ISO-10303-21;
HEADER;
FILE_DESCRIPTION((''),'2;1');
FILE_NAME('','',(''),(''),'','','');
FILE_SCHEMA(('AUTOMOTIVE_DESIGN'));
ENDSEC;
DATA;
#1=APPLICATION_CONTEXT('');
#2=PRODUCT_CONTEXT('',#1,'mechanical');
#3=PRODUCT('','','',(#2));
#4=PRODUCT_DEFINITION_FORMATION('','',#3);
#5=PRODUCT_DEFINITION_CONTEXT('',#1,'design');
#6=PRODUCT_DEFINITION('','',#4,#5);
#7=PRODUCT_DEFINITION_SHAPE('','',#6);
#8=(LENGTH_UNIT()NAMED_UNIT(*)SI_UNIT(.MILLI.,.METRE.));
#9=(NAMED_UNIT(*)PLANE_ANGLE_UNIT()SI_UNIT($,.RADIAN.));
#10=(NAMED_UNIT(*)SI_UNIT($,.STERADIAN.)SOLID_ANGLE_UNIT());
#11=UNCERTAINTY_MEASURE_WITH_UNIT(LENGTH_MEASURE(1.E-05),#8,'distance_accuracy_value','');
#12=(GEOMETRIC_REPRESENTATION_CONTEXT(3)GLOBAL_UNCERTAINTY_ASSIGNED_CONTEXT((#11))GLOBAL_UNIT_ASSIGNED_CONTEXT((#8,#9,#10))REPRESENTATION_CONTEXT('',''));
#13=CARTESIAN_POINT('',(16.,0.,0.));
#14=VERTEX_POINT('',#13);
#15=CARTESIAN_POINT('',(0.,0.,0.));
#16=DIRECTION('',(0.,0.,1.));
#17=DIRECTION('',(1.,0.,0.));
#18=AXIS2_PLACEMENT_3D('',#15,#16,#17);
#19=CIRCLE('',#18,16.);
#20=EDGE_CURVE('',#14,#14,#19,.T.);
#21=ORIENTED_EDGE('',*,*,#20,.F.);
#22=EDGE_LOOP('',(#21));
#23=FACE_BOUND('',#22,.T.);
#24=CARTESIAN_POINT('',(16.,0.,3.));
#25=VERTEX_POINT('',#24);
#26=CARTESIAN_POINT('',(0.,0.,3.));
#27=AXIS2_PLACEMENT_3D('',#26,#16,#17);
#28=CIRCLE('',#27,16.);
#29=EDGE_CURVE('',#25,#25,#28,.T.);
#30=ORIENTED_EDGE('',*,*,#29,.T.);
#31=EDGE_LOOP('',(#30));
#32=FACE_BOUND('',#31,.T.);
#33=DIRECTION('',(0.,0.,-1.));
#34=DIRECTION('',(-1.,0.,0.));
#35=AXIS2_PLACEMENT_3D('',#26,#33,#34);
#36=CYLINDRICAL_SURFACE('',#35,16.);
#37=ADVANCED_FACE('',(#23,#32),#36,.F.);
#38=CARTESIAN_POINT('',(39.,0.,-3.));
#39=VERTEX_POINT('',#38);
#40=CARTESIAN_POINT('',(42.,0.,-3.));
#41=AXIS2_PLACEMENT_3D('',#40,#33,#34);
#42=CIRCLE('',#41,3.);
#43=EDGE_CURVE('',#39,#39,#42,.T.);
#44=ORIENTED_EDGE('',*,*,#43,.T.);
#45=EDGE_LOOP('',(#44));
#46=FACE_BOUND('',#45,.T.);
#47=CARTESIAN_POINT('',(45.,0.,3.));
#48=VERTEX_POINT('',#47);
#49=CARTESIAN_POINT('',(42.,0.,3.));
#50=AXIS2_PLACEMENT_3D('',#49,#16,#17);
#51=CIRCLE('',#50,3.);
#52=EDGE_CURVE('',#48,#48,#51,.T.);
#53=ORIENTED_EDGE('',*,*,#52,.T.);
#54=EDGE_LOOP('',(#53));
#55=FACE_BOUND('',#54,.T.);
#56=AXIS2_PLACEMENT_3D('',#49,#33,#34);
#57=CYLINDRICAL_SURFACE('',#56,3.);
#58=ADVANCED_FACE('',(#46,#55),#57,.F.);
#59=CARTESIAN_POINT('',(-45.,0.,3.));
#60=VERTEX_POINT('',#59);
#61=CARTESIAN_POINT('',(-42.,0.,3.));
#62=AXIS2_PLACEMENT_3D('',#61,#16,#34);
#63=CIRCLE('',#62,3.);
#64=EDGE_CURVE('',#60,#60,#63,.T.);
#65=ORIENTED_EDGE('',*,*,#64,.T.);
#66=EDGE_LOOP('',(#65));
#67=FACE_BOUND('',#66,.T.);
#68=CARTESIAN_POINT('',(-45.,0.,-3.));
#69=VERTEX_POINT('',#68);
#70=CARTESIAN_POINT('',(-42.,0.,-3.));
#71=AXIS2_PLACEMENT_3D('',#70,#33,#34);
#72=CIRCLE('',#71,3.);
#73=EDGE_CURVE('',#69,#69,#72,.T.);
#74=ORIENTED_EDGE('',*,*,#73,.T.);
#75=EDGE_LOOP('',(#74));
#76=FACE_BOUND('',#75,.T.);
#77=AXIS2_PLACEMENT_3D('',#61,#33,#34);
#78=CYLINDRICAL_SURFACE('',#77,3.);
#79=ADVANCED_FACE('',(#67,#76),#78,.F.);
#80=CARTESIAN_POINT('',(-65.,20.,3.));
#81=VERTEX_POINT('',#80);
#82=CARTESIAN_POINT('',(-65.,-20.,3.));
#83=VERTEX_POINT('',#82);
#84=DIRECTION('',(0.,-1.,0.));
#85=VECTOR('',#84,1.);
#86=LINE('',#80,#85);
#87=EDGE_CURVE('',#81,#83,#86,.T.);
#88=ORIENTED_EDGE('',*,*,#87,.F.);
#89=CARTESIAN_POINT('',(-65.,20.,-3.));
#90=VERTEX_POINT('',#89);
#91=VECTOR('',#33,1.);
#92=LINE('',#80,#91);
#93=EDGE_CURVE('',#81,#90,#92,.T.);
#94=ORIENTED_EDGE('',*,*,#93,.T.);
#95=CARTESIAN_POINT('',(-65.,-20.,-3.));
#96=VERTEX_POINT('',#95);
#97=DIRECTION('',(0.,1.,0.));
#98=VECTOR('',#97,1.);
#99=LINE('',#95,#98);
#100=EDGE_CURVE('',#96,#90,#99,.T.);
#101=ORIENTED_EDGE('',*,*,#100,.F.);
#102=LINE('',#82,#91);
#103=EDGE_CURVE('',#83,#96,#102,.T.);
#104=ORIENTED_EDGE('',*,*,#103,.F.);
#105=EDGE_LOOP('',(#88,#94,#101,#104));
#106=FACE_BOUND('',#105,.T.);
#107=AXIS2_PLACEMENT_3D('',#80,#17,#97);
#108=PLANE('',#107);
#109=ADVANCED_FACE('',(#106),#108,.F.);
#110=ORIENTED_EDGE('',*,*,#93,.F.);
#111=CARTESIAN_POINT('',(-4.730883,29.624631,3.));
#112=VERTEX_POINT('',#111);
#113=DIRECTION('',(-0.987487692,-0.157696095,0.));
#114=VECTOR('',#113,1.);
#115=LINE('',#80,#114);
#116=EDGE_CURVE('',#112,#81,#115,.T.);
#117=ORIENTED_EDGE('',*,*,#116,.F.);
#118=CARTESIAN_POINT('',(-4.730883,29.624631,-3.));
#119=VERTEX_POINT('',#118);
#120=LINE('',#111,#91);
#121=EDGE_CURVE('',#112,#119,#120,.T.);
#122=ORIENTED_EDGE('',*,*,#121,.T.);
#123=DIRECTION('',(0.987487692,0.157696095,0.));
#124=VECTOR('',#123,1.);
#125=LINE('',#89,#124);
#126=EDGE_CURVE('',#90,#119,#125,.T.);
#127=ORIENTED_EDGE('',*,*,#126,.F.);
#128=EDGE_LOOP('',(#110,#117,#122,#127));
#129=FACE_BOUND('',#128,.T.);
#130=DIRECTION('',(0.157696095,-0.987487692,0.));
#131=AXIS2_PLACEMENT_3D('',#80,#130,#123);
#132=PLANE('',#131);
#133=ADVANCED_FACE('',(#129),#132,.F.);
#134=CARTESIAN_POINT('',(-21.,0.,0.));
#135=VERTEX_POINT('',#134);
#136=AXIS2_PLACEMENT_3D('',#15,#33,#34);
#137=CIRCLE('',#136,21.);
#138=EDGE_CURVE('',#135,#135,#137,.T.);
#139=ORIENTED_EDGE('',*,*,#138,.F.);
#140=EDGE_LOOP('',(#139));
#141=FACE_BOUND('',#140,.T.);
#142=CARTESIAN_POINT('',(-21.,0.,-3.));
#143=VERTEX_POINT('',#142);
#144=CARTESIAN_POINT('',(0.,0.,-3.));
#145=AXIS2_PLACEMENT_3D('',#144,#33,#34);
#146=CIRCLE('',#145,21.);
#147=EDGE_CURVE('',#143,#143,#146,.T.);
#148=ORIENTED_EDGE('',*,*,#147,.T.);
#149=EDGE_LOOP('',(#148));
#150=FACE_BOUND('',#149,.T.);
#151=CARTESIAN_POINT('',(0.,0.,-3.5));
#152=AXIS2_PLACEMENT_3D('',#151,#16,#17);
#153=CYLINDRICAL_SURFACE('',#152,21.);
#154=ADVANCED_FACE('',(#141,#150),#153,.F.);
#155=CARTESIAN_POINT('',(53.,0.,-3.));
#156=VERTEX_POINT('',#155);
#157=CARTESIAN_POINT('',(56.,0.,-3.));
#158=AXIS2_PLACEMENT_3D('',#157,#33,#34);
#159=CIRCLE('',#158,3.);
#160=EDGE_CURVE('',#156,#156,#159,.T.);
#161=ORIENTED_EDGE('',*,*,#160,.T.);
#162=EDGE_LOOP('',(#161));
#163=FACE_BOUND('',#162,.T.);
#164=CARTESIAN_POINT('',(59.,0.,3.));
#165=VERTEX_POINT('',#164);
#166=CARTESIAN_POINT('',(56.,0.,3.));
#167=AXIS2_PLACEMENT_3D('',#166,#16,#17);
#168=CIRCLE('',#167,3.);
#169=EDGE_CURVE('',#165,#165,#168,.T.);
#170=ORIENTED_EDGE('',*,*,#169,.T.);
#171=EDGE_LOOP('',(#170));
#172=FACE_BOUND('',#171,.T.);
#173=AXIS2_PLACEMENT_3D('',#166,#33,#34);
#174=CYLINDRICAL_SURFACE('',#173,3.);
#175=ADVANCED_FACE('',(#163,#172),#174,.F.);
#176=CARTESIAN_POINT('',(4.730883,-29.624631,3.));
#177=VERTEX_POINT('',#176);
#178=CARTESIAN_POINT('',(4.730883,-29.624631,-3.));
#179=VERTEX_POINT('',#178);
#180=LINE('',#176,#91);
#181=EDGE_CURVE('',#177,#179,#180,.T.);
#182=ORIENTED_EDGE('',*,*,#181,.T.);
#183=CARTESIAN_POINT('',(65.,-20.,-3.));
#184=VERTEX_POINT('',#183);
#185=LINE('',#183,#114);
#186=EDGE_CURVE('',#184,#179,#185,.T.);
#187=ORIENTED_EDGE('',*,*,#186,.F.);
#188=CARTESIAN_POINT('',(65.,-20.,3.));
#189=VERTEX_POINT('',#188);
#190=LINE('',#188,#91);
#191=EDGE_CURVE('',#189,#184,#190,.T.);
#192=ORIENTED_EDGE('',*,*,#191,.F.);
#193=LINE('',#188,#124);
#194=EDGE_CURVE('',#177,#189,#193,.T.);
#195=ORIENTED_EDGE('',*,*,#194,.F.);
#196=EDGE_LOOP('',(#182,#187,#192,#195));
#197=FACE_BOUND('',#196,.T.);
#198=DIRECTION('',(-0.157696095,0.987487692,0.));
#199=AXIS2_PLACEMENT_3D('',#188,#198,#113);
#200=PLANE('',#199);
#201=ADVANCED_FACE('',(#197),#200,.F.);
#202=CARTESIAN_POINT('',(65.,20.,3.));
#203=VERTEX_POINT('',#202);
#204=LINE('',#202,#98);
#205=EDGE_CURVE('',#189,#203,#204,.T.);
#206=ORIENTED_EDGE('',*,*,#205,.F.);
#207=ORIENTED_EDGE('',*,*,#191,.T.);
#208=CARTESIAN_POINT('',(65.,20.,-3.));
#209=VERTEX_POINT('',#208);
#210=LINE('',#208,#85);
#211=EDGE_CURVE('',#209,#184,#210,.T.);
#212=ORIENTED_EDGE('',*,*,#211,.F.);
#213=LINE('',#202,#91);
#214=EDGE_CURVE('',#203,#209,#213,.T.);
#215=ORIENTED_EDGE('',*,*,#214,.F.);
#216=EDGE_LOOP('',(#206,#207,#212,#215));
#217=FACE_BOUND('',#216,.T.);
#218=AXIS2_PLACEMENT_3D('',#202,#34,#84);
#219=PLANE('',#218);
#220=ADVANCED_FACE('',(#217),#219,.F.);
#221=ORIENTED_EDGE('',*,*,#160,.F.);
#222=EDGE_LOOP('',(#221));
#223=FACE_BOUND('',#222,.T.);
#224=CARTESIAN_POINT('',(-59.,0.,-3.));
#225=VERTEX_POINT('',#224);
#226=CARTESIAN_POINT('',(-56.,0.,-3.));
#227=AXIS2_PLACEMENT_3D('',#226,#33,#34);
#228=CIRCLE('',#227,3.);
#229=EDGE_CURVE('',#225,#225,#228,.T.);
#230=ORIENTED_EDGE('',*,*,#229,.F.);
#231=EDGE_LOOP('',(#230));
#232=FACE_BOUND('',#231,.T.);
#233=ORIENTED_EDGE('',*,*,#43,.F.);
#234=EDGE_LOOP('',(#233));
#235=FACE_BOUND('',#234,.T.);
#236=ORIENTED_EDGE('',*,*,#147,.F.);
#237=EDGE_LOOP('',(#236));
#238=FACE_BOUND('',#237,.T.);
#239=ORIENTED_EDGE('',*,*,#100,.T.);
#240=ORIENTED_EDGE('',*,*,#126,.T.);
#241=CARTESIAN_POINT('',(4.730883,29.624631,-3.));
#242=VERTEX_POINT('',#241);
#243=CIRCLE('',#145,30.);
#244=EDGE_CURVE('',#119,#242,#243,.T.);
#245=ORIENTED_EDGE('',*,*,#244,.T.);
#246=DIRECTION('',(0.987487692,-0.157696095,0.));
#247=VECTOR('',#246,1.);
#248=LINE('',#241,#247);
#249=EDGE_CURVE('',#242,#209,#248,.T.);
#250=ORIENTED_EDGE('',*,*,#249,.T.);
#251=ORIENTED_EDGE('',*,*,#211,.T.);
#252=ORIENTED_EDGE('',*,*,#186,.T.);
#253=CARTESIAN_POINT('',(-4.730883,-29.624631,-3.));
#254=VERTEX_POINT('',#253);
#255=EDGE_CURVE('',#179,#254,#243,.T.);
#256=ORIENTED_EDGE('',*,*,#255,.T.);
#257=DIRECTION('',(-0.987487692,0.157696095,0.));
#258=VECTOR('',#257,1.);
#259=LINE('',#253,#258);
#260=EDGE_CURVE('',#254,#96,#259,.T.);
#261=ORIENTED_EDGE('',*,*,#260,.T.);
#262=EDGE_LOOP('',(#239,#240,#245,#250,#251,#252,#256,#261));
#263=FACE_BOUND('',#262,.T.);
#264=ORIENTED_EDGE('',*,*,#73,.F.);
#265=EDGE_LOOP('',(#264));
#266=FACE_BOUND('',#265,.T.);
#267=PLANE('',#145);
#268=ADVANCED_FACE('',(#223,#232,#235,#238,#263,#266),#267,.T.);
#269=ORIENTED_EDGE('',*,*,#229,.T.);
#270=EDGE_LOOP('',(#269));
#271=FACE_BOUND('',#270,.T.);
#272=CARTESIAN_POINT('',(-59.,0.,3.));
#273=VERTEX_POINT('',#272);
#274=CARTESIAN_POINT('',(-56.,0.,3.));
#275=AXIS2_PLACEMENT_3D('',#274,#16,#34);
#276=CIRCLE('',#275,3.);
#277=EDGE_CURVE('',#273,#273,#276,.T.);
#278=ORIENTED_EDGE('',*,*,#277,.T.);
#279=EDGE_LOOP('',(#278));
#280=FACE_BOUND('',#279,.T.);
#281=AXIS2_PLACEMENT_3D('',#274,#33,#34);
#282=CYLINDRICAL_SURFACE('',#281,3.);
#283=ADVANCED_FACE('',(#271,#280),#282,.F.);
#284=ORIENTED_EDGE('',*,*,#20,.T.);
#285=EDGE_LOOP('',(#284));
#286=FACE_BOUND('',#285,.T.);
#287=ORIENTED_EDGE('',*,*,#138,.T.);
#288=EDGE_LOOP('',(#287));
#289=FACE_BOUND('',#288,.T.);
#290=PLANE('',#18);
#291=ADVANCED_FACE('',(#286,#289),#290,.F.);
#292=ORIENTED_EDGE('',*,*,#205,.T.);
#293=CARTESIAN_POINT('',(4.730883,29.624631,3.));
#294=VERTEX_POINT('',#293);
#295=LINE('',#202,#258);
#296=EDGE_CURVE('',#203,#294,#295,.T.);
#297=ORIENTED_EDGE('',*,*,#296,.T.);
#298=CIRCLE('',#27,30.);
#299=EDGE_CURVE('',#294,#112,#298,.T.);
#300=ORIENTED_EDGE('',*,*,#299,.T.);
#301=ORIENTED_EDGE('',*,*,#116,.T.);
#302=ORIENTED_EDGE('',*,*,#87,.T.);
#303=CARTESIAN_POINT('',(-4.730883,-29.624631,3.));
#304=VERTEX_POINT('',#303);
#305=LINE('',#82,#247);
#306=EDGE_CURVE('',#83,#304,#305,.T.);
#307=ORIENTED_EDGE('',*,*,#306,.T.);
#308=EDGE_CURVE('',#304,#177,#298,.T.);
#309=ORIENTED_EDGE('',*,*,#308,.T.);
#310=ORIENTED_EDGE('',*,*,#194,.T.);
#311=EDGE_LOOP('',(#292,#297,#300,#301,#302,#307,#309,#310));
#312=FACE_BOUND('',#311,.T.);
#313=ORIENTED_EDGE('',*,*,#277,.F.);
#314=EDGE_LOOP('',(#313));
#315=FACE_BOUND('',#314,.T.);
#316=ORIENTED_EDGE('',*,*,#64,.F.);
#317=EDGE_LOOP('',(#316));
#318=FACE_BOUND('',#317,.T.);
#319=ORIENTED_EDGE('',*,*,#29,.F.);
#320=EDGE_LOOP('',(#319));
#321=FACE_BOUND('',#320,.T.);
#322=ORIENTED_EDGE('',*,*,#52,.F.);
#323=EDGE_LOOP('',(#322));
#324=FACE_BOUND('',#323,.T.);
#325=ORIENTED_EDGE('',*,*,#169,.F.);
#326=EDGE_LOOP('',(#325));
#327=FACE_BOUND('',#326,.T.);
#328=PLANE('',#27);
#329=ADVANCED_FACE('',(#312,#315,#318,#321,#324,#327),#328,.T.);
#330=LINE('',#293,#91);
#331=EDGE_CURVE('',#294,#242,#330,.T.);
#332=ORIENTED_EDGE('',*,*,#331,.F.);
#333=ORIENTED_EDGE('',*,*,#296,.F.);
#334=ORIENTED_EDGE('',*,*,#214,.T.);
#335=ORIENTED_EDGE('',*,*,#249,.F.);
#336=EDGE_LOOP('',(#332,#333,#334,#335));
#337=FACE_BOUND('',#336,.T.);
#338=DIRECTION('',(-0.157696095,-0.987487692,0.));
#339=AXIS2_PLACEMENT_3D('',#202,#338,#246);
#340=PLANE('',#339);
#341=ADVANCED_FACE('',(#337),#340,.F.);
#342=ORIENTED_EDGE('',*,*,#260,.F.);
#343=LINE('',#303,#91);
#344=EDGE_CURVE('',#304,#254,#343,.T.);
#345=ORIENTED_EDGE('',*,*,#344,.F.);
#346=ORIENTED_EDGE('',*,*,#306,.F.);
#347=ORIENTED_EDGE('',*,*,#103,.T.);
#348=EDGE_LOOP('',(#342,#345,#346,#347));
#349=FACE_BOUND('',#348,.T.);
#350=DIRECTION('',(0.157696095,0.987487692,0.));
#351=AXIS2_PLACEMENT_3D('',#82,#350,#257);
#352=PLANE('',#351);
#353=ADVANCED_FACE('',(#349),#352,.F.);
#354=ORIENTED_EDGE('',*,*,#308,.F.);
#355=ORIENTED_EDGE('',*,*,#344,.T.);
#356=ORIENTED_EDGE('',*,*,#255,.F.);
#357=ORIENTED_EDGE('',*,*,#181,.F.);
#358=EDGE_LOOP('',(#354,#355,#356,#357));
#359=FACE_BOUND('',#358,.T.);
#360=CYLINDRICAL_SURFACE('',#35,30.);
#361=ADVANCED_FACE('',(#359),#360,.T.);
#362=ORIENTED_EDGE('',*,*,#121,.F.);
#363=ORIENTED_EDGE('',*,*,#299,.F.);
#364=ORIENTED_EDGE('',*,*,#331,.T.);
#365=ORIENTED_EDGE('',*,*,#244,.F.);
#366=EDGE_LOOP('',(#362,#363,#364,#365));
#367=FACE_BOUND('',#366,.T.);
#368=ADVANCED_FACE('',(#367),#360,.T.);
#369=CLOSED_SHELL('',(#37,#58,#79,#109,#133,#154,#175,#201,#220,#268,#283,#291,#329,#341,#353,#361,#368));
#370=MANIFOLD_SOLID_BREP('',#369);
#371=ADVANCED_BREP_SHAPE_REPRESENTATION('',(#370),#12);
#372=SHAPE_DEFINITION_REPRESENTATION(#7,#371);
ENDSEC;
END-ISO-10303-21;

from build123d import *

# Parameters (mm, degrees)
SKETCH1_R           = 3
SKETCH1_R_2         = 16
BOSS_EXTRUDE1_DEPTH = 3
SKETCH3_R           = 30
SKETCH3_R_2         = 21
BOSS_EXTRUDE3_DEPTH = 3.5
SKETCH4_R           = 3
BOSS_EXTRUDE4_DEPTH = 3.5
SKETCH5_R           = 3
SKETCH5_R_2         = 21
CUT_EXTRUDE1_DEPTH  = 0.5


with BuildPart() as part:
    # Sketch1 → Boss-Extrude1 (new body)
    with BuildSketch(Plane.XY):
        with BuildLine():
            Line((-65, 20), (-65, -20))
            Line((-65, -20), (-4.730882844, -29.624630757))
            ThreePointArc((-4.730882844, -29.624630757), (0, -30), (4.730882844, -29.624630757))
            Line((4.730882844, -29.624630757), (65, -20))
            Line((65, -20), (65, 20))
            Line((65, 20), (4.730882844, 29.624630757))
            ThreePointArc((4.730882844, 29.624630757), (0, 30), (-4.730882844, 29.624630757))
            Line((-4.730882844, 29.624630757), (-65, 20))
        make_face()
        with Locations((56, 0)):
            Circle(SKETCH1_R, mode=Mode.SUBTRACT)
        with Locations((42, 0)):
            Circle(SKETCH1_R, mode=Mode.SUBTRACT)
        with Locations((-56, 0)):
            Circle(SKETCH1_R, mode=Mode.SUBTRACT)
        with Locations((-42, 0)):
            Circle(SKETCH1_R, mode=Mode.SUBTRACT)
        Circle(SKETCH1_R_2, mode=Mode.SUBTRACT)
    extrude(amount=BOSS_EXTRUDE1_DEPTH)

    # Sketch3 → Boss-Extrude3 (add)
    with BuildSketch(Plane(origin=(0, 0, 0), x_dir=(-1, 0, 0), z_dir=(0, 0, -1))):
        Circle(SKETCH3_R)
        Circle(SKETCH3_R_2, mode=Mode.SUBTRACT)
    extrude(amount=BOSS_EXTRUDE3_DEPTH)

    # Sketch4 → Boss-Extrude4 (add)
    with BuildSketch(Plane(origin=(0, 0, 0), x_dir=(-1, 0, 0), z_dir=(0, 0, -1))):
        with BuildLine():
            Line((4.730882844, -29.624630757), (65, -20))
            Line((65, -20), (65, 20))
            Line((65, 20), (4.730882844, 29.624630757))
            ThreePointArc((4.730882844, 29.624630757), (30, 0), (4.730882844, -29.624630757))
        make_face()
        with Locations((56, 0)):
            Circle(SKETCH4_R, mode=Mode.SUBTRACT)
        with Locations((42, 0)):
            Circle(SKETCH4_R, mode=Mode.SUBTRACT)
        with BuildLine():
            Line((-4.730882844, 29.624630757), (-65, 20))
            Line((-65, 20), (-65, -20))
            Line((-65, -20), (-4.730882844, -29.624630757))
            ThreePointArc((-4.730882844, -29.624630757), (-30, 0), (-4.730882844, 29.624630757))
        make_face()
        with Locations((-42, 0)):
            Circle(SKETCH4_R, mode=Mode.SUBTRACT)
        with Locations((-56, 0)):
            Circle(SKETCH4_R, mode=Mode.SUBTRACT)
    extrude(amount=BOSS_EXTRUDE4_DEPTH)

    # Sketch5 → Cut-Extrude1 (cut)
    with BuildSketch(Plane(origin=(0, 0, -3.5), x_dir=(-1, 0, 0), z_dir=(0, 0, -1))):
        with BuildLine():
            Line((-4.730882844, 29.624630757), (-65, 20))
            Line((-65, 20), (-65, -20))
            Line((-65, -20), (-4.730882844, -29.624630757))
            ThreePointArc((-4.730882844, -29.624630757), (0, -30), (4.730882844, -29.624630757))
            Line((4.730882844, -29.624630757), (65, -20))
            Line((65, -20), (65, 20))
            Line((65, 20), (4.730882844, 29.624630757))
            ThreePointArc((4.730882844, 29.624630757), (0, 30), (-4.730882844, 29.624630757))
        make_face()
        with Locations((56, 0)):
            Circle(SKETCH5_R, mode=Mode.SUBTRACT)
        with Locations((42, 0)):
            Circle(SKETCH5_R, mode=Mode.SUBTRACT)
        Circle(SKETCH5_R_2, mode=Mode.SUBTRACT)
        with Locations((-42, 0)):
            Circle(SKETCH5_R, mode=Mode.SUBTRACT)
        with Locations((-56, 0)):
            Circle(SKETCH5_R, mode=Mode.SUBTRACT)
    extrude(amount=-CUT_EXTRUDE1_DEPTH, mode=Mode.SUBTRACT)


solid = part.part
